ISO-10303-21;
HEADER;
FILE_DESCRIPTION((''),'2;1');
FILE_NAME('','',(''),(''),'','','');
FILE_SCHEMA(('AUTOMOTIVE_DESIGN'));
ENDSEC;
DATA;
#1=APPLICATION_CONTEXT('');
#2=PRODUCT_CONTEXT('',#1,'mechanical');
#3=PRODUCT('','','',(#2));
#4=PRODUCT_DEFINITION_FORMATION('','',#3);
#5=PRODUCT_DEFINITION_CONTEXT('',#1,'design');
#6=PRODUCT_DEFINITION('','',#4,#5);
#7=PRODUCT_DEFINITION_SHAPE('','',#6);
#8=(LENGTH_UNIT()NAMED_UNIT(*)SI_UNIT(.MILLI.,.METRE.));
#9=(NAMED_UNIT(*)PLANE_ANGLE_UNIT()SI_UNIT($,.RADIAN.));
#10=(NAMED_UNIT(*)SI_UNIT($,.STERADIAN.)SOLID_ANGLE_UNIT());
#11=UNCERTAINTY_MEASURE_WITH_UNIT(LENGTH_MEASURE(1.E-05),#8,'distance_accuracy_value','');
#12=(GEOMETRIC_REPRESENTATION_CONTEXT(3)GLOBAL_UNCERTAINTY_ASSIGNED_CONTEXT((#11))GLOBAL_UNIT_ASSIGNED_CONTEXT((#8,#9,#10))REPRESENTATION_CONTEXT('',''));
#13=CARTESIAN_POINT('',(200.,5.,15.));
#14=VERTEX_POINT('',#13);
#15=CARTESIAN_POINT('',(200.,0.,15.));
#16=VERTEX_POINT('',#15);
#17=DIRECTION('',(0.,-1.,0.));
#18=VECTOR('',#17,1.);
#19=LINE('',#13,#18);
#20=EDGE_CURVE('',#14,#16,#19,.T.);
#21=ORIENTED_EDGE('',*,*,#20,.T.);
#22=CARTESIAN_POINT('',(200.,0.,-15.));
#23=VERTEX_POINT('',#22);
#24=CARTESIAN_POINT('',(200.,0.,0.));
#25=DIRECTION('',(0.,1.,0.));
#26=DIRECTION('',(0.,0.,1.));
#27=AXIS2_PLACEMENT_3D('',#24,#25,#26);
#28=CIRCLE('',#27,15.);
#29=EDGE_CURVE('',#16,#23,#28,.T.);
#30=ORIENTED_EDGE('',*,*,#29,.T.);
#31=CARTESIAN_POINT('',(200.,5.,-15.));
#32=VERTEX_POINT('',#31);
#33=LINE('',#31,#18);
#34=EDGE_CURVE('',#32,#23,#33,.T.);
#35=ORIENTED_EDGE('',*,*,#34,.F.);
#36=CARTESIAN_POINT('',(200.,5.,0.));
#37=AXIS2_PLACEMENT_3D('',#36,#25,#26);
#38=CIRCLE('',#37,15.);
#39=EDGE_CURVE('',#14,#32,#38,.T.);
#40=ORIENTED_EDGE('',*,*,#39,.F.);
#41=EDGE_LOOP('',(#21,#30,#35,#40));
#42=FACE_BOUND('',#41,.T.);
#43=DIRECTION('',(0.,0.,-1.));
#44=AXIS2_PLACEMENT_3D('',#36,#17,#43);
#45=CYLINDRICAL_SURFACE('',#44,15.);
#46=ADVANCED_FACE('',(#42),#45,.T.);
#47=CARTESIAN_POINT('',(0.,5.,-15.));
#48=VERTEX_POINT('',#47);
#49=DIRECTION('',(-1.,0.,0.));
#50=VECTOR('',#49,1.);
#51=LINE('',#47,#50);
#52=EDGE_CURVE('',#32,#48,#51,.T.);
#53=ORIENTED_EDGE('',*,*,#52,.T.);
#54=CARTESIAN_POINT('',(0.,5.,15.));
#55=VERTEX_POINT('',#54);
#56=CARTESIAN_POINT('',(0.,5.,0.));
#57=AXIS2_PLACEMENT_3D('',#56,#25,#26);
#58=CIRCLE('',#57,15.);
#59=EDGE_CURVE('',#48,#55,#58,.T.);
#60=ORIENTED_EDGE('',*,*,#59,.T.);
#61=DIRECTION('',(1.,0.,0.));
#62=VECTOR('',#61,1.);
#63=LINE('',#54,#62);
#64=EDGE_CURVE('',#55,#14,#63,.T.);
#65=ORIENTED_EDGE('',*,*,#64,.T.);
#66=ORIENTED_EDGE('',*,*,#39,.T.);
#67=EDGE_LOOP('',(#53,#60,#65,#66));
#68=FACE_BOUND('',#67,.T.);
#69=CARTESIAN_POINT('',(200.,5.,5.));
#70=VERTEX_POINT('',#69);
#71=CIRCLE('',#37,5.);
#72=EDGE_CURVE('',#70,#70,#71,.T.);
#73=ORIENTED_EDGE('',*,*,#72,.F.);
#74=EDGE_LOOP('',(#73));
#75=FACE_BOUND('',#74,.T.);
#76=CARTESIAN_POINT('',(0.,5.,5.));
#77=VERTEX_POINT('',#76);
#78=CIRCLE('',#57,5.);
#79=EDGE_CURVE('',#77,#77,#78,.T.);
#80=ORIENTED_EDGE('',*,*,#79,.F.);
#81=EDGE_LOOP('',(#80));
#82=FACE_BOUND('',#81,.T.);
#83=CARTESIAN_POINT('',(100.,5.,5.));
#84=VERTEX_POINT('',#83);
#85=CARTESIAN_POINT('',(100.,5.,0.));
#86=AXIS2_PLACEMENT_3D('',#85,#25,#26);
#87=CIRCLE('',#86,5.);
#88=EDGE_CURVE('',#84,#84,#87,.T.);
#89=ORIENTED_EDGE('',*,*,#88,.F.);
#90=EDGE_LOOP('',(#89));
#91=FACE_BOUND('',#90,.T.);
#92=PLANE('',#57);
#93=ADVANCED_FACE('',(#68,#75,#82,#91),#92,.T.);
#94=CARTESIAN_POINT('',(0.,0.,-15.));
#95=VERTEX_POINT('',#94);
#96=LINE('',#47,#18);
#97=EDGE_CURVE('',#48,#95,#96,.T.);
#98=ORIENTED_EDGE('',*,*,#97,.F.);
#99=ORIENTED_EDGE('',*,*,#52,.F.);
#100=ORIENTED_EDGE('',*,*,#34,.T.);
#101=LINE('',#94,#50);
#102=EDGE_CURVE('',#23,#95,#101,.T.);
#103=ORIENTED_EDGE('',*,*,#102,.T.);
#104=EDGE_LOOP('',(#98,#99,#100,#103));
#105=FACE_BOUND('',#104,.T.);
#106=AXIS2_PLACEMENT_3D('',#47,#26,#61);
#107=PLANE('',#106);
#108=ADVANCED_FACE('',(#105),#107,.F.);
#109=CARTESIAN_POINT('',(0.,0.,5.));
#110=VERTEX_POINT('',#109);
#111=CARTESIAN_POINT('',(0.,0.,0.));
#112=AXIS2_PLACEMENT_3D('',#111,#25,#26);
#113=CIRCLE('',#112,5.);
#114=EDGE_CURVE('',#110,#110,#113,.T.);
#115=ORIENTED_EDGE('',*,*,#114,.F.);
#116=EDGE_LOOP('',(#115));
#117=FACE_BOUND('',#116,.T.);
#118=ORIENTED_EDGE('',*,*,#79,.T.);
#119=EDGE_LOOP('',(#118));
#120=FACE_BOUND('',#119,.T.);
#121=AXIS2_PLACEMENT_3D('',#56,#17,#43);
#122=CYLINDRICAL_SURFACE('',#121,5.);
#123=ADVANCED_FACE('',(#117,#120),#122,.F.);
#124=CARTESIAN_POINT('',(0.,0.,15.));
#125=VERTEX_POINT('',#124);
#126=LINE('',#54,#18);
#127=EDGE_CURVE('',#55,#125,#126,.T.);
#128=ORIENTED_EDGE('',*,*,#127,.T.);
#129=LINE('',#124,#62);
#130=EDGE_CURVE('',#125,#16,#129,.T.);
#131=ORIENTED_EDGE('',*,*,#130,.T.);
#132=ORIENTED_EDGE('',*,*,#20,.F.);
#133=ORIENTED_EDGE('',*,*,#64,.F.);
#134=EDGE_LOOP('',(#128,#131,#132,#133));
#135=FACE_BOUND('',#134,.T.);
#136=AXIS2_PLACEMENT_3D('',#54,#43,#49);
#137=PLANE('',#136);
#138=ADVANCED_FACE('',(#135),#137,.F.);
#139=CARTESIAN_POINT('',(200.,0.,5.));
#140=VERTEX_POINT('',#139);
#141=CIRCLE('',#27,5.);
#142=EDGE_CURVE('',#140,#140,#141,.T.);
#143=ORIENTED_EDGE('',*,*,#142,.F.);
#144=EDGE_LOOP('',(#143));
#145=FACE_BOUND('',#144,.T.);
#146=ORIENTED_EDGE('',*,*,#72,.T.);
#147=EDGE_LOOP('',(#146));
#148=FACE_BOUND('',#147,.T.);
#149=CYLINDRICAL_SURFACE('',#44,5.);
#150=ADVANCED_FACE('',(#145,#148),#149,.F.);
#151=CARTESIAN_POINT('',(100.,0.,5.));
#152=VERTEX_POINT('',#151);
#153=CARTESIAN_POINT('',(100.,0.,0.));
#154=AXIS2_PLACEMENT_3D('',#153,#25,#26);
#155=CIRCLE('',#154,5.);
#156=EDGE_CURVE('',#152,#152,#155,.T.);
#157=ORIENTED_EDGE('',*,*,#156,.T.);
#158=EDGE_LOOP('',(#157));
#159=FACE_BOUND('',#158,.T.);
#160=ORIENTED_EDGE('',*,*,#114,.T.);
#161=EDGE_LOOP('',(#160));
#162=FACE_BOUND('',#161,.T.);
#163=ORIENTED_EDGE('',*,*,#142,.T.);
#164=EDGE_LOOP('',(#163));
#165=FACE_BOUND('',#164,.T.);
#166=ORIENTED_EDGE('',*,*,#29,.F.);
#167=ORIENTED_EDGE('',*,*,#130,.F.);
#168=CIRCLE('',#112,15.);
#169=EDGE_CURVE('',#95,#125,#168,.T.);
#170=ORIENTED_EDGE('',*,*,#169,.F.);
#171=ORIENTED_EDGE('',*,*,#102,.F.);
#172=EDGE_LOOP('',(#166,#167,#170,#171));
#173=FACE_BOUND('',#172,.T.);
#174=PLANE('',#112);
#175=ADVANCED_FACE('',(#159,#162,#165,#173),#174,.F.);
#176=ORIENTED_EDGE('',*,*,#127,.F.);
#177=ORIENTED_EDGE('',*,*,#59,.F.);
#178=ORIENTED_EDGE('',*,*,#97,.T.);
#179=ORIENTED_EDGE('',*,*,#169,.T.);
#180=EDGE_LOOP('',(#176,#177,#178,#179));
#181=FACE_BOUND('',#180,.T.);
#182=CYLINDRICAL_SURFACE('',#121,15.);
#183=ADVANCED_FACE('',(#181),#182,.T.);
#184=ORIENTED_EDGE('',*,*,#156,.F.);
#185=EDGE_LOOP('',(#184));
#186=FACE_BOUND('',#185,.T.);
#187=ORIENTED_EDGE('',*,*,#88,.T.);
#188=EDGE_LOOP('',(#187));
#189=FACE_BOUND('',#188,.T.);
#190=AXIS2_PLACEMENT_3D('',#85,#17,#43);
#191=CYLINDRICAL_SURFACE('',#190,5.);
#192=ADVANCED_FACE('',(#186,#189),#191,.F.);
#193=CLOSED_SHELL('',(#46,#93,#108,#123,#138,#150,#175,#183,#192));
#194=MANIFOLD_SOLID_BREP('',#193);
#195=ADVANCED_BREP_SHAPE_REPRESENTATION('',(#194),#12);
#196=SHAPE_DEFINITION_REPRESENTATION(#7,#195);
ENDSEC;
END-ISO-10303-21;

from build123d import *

# Parameters (mm, degrees)
SKETCH_1_R      = 5
EXTRUDE_1_DEPTH = 5


with BuildPart() as part:
    # 草图1 → 凸台-拉伸1 (new body)
    with BuildSketch(Plane(origin=(0, 0, 0), x_dir=(1, 0, 0), z_dir=(0, 1, 0))):
        with BuildLine():
            Line((0, 15), (200, 15))
            ThreePointArc((200, 15), (215, 0), (200, -15))
            Line((200, -15), (0, -15))
            ThreePointArc((0, -15), (-15, 0), (0, 15))
        make_face()
        with Locations(Location((200, 0, 0), (0, 0, 270))):
            Circle(SKETCH_1_R, mode=Mode.SUBTRACT)
        with Locations(Location((100, 0, 0), (0, 0, 270))):
            Circle(SKETCH_1_R, mode=Mode.SUBTRACT)
        with Locations(Location((0, 0, 0), (0, 0, 270))):
            Circle(SKETCH_1_R, mode=Mode.SUBTRACT)
    extrude(amount=EXTRUDE_1_DEPTH)


solid = part.part
